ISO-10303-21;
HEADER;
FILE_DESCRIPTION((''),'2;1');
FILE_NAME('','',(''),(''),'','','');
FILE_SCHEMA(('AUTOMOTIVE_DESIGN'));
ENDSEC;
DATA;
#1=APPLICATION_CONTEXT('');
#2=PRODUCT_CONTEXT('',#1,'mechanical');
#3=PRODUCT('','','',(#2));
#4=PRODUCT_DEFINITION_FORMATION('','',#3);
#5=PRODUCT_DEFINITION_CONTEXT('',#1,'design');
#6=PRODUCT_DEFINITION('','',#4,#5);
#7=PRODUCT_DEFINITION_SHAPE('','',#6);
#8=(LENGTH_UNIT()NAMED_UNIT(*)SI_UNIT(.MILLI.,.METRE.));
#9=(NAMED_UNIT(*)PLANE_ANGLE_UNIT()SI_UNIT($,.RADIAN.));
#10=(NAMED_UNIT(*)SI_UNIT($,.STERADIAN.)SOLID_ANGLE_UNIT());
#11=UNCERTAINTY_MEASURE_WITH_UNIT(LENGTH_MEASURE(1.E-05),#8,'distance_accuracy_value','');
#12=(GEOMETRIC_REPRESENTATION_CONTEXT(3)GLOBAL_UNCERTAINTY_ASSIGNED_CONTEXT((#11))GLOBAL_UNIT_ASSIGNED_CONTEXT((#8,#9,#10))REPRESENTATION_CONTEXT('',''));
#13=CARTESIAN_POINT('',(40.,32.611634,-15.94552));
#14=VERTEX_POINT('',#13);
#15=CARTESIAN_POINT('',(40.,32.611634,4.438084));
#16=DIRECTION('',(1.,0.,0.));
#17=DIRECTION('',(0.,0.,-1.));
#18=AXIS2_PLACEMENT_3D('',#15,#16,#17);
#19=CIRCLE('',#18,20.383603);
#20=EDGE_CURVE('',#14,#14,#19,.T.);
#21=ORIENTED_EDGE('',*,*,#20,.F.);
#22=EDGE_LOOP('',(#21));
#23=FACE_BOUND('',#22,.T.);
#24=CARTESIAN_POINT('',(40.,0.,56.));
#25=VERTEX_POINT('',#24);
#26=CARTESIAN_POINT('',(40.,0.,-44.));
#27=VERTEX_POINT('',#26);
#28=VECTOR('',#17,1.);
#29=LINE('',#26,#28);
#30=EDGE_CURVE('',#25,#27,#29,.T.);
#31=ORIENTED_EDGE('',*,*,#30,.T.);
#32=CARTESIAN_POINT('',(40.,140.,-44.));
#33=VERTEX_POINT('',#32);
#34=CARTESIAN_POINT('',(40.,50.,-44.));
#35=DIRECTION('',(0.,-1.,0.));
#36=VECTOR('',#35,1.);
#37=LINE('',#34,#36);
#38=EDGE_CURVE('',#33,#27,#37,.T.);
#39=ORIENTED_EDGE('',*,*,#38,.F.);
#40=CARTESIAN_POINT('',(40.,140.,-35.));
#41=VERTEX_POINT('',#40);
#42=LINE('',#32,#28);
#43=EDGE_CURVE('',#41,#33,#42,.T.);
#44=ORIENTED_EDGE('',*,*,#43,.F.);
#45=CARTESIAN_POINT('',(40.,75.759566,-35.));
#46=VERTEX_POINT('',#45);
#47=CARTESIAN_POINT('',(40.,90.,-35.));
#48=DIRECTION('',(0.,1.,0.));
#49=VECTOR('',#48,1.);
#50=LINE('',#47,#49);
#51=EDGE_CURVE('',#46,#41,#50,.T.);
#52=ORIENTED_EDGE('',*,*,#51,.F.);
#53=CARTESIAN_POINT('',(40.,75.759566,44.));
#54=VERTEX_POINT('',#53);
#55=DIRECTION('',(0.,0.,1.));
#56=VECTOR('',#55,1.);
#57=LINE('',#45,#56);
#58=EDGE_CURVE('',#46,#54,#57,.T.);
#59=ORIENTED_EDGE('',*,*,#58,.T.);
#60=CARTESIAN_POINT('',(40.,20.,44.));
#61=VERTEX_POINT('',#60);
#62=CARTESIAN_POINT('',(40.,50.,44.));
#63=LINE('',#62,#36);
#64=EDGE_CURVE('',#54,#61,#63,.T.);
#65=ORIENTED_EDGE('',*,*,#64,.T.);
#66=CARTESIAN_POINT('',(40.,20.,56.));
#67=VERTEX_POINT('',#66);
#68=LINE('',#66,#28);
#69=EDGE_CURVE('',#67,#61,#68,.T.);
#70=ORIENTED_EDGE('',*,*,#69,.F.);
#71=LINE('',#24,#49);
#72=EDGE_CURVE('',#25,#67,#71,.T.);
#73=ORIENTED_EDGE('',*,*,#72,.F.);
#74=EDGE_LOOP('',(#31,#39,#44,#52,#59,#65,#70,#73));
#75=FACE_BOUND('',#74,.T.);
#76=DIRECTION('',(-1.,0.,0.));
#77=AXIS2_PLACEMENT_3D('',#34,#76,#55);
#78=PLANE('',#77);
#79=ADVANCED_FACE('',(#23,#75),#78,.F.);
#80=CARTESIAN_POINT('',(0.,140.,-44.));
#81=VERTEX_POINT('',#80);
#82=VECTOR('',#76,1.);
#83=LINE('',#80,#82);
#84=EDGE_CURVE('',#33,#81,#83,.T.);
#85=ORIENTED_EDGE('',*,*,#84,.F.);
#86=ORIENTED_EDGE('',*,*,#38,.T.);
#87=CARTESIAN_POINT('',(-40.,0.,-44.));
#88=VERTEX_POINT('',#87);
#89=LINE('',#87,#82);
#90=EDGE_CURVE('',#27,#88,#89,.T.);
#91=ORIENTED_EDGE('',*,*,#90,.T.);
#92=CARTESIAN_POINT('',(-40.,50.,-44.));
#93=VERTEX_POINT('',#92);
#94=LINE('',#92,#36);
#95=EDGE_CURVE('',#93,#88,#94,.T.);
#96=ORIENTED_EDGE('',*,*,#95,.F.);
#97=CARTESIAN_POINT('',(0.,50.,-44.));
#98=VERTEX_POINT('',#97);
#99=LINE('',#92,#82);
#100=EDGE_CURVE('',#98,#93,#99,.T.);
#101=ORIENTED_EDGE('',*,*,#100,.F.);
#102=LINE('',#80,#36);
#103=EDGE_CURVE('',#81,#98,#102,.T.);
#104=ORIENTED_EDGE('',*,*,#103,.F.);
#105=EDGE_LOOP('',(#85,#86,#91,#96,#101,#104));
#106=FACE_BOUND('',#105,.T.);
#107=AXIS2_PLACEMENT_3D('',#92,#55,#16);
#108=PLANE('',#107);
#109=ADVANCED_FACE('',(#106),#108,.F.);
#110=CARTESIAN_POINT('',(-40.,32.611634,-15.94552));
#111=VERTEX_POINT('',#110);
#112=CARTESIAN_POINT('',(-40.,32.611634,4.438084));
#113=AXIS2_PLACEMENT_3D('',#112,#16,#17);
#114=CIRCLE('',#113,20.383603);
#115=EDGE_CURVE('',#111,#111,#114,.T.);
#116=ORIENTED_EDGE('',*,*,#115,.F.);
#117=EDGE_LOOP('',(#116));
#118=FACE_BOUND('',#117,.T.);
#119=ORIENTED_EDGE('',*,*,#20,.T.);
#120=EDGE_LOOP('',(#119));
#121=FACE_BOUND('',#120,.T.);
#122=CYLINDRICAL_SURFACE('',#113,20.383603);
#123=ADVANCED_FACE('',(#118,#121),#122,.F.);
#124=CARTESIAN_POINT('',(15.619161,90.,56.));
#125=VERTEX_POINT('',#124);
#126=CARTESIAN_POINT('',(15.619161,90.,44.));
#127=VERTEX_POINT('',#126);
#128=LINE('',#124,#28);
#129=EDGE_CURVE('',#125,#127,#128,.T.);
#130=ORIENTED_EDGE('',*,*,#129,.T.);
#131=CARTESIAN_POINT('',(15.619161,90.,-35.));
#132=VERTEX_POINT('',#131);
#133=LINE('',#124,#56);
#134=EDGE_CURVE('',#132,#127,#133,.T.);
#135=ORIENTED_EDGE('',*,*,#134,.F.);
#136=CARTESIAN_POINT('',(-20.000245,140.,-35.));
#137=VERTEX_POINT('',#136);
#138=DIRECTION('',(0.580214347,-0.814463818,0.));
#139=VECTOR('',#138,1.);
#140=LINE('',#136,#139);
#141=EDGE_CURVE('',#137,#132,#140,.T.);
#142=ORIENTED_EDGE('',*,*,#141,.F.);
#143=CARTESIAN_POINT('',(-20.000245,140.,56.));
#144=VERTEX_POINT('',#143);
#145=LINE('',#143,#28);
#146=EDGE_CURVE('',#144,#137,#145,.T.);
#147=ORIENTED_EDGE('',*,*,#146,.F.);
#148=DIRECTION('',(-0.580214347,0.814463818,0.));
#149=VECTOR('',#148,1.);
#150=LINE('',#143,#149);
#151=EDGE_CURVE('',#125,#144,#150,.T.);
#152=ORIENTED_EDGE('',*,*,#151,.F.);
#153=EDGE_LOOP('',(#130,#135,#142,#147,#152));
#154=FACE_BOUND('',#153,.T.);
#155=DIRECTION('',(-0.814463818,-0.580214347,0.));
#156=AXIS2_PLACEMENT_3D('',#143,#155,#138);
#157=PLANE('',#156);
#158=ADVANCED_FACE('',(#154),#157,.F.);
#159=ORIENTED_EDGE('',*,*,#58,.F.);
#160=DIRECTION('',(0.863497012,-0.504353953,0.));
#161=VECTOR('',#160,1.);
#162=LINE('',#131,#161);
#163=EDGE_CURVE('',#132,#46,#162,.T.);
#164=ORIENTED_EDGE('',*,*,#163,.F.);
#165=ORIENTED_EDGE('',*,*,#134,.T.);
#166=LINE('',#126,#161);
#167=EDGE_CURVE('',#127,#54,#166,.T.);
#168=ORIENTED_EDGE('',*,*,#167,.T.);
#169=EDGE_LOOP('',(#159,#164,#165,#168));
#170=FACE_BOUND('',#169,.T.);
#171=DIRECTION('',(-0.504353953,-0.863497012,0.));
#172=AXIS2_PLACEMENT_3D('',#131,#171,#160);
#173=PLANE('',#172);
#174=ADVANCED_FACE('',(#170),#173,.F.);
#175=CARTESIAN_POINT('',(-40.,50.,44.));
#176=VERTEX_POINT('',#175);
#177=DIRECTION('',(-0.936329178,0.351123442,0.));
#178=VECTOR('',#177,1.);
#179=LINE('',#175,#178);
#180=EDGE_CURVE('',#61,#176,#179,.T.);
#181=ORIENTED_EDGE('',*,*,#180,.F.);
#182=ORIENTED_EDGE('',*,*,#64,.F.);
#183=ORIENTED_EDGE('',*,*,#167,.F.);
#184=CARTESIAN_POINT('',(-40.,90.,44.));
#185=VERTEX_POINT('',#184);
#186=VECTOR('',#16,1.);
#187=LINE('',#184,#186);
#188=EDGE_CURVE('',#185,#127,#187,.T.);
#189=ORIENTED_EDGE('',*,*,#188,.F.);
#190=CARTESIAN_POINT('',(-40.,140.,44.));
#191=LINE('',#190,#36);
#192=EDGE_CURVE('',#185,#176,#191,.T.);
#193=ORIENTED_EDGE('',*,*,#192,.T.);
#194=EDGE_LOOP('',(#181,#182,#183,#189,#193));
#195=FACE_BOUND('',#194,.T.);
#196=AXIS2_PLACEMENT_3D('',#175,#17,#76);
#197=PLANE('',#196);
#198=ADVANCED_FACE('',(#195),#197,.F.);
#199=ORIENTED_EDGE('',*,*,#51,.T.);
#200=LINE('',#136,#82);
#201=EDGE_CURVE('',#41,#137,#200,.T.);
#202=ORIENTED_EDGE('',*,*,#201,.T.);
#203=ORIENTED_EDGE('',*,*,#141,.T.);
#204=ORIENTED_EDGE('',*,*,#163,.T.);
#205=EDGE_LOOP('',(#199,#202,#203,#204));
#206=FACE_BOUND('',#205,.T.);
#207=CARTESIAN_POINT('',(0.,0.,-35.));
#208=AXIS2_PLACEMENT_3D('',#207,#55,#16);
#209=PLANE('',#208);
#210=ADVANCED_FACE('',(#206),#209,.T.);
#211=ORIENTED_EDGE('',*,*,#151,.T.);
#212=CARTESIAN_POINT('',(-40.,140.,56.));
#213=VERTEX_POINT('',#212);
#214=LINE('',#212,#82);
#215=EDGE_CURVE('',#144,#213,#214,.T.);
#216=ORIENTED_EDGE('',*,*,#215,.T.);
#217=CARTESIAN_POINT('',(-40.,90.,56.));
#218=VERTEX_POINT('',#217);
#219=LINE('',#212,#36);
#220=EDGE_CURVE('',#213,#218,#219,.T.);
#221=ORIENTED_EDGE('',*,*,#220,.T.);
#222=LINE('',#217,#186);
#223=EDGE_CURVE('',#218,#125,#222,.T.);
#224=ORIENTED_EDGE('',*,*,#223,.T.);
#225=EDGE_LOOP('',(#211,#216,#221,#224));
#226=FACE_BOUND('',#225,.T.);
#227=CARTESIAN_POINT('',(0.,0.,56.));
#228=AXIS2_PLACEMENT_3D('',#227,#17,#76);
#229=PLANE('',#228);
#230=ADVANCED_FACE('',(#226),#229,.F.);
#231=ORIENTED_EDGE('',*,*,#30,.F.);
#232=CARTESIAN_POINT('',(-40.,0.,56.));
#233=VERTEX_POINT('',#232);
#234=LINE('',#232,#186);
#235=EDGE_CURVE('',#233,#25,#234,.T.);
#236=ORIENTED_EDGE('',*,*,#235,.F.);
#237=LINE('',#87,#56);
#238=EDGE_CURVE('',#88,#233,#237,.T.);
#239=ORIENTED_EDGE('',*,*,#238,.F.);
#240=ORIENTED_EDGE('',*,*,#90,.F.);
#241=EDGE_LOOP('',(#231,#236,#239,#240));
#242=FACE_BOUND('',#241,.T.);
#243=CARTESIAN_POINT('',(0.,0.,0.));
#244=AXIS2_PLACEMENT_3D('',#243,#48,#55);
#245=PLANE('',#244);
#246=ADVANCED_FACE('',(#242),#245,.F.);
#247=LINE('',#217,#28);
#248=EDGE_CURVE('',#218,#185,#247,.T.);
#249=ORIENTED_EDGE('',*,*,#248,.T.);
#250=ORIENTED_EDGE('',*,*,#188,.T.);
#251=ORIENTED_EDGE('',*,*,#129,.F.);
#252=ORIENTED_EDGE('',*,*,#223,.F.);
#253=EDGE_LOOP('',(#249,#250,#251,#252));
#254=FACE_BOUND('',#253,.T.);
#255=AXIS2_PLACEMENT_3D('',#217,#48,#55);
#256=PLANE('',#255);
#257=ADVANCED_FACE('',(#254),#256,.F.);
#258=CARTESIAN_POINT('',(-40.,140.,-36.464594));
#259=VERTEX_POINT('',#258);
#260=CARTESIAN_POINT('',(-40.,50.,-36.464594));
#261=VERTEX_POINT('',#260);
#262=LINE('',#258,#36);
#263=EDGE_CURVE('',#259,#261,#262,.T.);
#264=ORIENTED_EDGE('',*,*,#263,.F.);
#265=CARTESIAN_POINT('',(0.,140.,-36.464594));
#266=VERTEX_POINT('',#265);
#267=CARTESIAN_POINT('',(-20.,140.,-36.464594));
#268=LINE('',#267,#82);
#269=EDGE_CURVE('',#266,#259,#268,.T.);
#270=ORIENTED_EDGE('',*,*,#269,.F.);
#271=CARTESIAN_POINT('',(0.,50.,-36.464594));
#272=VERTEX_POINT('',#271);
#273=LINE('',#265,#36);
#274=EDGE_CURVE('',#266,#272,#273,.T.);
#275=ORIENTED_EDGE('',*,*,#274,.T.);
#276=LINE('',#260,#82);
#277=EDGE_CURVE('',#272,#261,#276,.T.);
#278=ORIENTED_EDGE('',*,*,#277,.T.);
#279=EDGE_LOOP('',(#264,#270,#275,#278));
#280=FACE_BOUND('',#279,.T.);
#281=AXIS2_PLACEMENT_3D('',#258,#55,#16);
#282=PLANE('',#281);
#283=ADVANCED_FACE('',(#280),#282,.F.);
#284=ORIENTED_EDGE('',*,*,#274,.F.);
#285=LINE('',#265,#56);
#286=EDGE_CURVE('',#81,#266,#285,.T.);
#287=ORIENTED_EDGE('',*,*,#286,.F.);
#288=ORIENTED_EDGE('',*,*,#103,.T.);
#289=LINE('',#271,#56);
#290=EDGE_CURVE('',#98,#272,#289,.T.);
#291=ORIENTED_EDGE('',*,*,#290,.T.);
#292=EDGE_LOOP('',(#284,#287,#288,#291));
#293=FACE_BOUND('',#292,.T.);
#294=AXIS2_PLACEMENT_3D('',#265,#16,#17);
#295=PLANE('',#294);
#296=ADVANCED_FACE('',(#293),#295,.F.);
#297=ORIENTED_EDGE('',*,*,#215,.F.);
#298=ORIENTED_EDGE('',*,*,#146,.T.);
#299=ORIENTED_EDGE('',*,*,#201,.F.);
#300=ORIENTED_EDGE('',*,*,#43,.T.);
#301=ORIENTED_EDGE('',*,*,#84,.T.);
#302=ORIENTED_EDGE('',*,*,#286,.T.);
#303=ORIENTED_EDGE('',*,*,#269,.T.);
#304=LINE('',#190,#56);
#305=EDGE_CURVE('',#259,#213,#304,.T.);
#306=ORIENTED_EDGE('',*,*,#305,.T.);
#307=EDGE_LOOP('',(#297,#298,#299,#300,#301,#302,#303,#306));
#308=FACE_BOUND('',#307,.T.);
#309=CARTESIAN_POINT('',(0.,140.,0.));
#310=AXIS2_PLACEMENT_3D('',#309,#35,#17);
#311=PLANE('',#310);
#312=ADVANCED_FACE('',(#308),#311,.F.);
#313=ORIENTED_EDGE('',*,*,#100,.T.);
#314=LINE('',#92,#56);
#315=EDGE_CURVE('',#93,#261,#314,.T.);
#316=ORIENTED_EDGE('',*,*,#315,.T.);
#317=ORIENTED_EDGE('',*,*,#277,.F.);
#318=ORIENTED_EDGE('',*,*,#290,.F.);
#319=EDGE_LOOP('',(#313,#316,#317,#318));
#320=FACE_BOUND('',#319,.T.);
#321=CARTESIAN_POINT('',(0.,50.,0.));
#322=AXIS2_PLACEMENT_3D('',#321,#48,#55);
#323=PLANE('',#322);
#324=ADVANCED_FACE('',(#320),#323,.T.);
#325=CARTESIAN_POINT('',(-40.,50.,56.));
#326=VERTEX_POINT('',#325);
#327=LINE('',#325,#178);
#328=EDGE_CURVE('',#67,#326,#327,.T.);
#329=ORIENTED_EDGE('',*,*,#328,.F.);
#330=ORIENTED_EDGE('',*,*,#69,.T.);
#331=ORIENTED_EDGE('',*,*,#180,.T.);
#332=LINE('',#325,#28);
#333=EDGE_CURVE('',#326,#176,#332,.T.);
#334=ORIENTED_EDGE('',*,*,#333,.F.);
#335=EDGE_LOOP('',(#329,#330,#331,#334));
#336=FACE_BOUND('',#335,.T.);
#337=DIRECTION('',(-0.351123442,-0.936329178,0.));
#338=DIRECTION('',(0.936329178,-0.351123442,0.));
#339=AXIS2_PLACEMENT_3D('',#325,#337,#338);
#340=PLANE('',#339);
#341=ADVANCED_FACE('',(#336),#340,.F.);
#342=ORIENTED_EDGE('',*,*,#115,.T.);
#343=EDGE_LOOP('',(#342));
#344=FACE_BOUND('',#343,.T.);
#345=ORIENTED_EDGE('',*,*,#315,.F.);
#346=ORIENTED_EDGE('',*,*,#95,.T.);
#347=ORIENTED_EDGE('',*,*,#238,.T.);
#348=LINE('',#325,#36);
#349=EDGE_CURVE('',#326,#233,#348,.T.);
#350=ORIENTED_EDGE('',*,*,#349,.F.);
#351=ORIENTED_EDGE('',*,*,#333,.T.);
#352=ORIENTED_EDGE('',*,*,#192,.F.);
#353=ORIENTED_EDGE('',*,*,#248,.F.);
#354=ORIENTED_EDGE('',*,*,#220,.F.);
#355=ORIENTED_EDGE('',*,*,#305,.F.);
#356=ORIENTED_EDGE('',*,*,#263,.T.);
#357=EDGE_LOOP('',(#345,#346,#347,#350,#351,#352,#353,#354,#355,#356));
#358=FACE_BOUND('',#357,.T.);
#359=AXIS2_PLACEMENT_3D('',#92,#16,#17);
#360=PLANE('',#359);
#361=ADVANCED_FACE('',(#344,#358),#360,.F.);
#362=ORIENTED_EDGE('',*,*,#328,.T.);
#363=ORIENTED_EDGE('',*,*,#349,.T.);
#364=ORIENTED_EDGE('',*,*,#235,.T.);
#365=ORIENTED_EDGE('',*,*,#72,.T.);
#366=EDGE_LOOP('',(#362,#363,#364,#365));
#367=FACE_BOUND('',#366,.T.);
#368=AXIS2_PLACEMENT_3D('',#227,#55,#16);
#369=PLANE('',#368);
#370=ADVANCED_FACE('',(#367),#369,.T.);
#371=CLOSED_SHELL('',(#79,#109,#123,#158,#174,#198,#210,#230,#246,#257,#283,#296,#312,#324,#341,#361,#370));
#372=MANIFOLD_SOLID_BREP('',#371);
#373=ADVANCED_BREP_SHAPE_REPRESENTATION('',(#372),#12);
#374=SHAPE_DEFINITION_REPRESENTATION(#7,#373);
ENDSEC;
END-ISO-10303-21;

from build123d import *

# Parameters (mm, degrees)
CROQUIS1_W              = 80
CROQUIS1_H              = 88
SALIENTE_EXTRUIR2_DEPTH = 50
SALIENTE_EXTRUIR3_DEPTH = 12
SALIENTE_EXTRUIR4_DEPTH = 90
SALIENTE_EXTRUIR5_DEPTH = 12
CORTAR_EXTRUIR1_DEPTH   = 79
CORTAR_EXTRUIR3_DEPTH   = 34
CROQUIS13_R             = 20.383603437
CORTAR_EXTRUIR5_DEPTH   = 80
SALIENTE_EXTRUIR8_DEPTH = 34
CORTAR_EXTRUIR7_DEPTH   = 79


with BuildPart() as part:
    # Croquis1 → Saliente-Extruir2 (new body)
    with BuildSketch(Plane(origin=(0, 0, 0), x_dir=(1, 0, 0), z_dir=(0, 1, 0))):
        Rectangle(CROQUIS1_W, CROQUIS1_H)
    extrude(amount=SALIENTE_EXTRUIR2_DEPTH)

    # Croquis3 → Saliente-Extruir3 (add)
    with BuildSketch(Plane.XY.offset(44)):
        Polygon((40, 0), (40, 20), (-40, 50), (-40, 0), align=None)
    extrude(amount=SALIENTE_EXTRUIR3_DEPTH)

    # Croquis4 → Saliente-Extruir4 (add)
    with BuildSketch(Plane(origin=(0, 50, 0), x_dir=(1, 0, 0), z_dir=(0, 1, 0))):
        Polygon((-40, -44), (-40, 36.464593772), (-20, 36.464593772), (0, 36.464593772), (0, 44), (40, 44), (40, -44), align=None)
    extrude(amount=SALIENTE_EXTRUIR4_DEPTH)

    # Croquis6 → Saliente-Extruir5 (add)
    with BuildSketch(Plane.XY.offset(44)):
        Polygon((-40, 140), (-40, 90), (15.619160928, 90), (-20.00024501, 140), align=None)
    extrude(amount=SALIENTE_EXTRUIR5_DEPTH)

    # Croquis7 → Cortar-Extruir1 (cut)
    with BuildSketch(Plane.XY.offset(44)):
        Polygon((-20.00024501, 140), (40, 140), (40, 90), (15.619160928, 90), align=None)
    extrude(amount=-CORTAR_EXTRUIR1_DEPTH, mode=Mode.SUBTRACT)

    # Croquis8 → Cortar-Extruir3 (cut)
    with BuildSketch(Plane(origin=(40, 0, 0), x_dir=(0, 0, -1), z_dir=(1, 0, 0))):
        Polygon((35, 90), (35, 61.907696256), (-44, 60.140404664), (-44, 90), align=None)
    extrude(amount=-CORTAR_EXTRUIR3_DEPTH, mode=Mode.SUBTRACT)

    # Croquis13 → Cortar-Extruir5 (cut)
    with BuildSketch(Plane(origin=(40, 0, 0), x_dir=(0, 0, -1), z_dir=(1, 0, 0))):
        with Locations((-4.438083907, 32.611633529)):
            Circle(CROQUIS13_R)
    extrude(amount=-CORTAR_EXTRUIR5_DEPTH, mode=Mode.SUBTRACT)

    # Croquis16 → Saliente-Extruir8 (add)
    with BuildSketch(Plane(origin=(6, 0, 0), x_dir=(0, 0, -1), z_dir=(1, 0, 0))):
        Polygon((-44, 90), (35, 90), (35, 61.907696256), (-44, 60.140404664), align=None)
    extrude(amount=SALIENTE_EXTRUIR8_DEPTH)

    # Croquis17 → Cortar-Extruir7 (cut)
    with BuildSketch(Plane.XY.offset(44)):
        Polygon((15.619160928, 90), (40, 75.759565592), (40, 90), align=None)
    extrude(amount=-CORTAR_EXTRUIR7_DEPTH, mode=Mode.SUBTRACT)


solid = part.part
